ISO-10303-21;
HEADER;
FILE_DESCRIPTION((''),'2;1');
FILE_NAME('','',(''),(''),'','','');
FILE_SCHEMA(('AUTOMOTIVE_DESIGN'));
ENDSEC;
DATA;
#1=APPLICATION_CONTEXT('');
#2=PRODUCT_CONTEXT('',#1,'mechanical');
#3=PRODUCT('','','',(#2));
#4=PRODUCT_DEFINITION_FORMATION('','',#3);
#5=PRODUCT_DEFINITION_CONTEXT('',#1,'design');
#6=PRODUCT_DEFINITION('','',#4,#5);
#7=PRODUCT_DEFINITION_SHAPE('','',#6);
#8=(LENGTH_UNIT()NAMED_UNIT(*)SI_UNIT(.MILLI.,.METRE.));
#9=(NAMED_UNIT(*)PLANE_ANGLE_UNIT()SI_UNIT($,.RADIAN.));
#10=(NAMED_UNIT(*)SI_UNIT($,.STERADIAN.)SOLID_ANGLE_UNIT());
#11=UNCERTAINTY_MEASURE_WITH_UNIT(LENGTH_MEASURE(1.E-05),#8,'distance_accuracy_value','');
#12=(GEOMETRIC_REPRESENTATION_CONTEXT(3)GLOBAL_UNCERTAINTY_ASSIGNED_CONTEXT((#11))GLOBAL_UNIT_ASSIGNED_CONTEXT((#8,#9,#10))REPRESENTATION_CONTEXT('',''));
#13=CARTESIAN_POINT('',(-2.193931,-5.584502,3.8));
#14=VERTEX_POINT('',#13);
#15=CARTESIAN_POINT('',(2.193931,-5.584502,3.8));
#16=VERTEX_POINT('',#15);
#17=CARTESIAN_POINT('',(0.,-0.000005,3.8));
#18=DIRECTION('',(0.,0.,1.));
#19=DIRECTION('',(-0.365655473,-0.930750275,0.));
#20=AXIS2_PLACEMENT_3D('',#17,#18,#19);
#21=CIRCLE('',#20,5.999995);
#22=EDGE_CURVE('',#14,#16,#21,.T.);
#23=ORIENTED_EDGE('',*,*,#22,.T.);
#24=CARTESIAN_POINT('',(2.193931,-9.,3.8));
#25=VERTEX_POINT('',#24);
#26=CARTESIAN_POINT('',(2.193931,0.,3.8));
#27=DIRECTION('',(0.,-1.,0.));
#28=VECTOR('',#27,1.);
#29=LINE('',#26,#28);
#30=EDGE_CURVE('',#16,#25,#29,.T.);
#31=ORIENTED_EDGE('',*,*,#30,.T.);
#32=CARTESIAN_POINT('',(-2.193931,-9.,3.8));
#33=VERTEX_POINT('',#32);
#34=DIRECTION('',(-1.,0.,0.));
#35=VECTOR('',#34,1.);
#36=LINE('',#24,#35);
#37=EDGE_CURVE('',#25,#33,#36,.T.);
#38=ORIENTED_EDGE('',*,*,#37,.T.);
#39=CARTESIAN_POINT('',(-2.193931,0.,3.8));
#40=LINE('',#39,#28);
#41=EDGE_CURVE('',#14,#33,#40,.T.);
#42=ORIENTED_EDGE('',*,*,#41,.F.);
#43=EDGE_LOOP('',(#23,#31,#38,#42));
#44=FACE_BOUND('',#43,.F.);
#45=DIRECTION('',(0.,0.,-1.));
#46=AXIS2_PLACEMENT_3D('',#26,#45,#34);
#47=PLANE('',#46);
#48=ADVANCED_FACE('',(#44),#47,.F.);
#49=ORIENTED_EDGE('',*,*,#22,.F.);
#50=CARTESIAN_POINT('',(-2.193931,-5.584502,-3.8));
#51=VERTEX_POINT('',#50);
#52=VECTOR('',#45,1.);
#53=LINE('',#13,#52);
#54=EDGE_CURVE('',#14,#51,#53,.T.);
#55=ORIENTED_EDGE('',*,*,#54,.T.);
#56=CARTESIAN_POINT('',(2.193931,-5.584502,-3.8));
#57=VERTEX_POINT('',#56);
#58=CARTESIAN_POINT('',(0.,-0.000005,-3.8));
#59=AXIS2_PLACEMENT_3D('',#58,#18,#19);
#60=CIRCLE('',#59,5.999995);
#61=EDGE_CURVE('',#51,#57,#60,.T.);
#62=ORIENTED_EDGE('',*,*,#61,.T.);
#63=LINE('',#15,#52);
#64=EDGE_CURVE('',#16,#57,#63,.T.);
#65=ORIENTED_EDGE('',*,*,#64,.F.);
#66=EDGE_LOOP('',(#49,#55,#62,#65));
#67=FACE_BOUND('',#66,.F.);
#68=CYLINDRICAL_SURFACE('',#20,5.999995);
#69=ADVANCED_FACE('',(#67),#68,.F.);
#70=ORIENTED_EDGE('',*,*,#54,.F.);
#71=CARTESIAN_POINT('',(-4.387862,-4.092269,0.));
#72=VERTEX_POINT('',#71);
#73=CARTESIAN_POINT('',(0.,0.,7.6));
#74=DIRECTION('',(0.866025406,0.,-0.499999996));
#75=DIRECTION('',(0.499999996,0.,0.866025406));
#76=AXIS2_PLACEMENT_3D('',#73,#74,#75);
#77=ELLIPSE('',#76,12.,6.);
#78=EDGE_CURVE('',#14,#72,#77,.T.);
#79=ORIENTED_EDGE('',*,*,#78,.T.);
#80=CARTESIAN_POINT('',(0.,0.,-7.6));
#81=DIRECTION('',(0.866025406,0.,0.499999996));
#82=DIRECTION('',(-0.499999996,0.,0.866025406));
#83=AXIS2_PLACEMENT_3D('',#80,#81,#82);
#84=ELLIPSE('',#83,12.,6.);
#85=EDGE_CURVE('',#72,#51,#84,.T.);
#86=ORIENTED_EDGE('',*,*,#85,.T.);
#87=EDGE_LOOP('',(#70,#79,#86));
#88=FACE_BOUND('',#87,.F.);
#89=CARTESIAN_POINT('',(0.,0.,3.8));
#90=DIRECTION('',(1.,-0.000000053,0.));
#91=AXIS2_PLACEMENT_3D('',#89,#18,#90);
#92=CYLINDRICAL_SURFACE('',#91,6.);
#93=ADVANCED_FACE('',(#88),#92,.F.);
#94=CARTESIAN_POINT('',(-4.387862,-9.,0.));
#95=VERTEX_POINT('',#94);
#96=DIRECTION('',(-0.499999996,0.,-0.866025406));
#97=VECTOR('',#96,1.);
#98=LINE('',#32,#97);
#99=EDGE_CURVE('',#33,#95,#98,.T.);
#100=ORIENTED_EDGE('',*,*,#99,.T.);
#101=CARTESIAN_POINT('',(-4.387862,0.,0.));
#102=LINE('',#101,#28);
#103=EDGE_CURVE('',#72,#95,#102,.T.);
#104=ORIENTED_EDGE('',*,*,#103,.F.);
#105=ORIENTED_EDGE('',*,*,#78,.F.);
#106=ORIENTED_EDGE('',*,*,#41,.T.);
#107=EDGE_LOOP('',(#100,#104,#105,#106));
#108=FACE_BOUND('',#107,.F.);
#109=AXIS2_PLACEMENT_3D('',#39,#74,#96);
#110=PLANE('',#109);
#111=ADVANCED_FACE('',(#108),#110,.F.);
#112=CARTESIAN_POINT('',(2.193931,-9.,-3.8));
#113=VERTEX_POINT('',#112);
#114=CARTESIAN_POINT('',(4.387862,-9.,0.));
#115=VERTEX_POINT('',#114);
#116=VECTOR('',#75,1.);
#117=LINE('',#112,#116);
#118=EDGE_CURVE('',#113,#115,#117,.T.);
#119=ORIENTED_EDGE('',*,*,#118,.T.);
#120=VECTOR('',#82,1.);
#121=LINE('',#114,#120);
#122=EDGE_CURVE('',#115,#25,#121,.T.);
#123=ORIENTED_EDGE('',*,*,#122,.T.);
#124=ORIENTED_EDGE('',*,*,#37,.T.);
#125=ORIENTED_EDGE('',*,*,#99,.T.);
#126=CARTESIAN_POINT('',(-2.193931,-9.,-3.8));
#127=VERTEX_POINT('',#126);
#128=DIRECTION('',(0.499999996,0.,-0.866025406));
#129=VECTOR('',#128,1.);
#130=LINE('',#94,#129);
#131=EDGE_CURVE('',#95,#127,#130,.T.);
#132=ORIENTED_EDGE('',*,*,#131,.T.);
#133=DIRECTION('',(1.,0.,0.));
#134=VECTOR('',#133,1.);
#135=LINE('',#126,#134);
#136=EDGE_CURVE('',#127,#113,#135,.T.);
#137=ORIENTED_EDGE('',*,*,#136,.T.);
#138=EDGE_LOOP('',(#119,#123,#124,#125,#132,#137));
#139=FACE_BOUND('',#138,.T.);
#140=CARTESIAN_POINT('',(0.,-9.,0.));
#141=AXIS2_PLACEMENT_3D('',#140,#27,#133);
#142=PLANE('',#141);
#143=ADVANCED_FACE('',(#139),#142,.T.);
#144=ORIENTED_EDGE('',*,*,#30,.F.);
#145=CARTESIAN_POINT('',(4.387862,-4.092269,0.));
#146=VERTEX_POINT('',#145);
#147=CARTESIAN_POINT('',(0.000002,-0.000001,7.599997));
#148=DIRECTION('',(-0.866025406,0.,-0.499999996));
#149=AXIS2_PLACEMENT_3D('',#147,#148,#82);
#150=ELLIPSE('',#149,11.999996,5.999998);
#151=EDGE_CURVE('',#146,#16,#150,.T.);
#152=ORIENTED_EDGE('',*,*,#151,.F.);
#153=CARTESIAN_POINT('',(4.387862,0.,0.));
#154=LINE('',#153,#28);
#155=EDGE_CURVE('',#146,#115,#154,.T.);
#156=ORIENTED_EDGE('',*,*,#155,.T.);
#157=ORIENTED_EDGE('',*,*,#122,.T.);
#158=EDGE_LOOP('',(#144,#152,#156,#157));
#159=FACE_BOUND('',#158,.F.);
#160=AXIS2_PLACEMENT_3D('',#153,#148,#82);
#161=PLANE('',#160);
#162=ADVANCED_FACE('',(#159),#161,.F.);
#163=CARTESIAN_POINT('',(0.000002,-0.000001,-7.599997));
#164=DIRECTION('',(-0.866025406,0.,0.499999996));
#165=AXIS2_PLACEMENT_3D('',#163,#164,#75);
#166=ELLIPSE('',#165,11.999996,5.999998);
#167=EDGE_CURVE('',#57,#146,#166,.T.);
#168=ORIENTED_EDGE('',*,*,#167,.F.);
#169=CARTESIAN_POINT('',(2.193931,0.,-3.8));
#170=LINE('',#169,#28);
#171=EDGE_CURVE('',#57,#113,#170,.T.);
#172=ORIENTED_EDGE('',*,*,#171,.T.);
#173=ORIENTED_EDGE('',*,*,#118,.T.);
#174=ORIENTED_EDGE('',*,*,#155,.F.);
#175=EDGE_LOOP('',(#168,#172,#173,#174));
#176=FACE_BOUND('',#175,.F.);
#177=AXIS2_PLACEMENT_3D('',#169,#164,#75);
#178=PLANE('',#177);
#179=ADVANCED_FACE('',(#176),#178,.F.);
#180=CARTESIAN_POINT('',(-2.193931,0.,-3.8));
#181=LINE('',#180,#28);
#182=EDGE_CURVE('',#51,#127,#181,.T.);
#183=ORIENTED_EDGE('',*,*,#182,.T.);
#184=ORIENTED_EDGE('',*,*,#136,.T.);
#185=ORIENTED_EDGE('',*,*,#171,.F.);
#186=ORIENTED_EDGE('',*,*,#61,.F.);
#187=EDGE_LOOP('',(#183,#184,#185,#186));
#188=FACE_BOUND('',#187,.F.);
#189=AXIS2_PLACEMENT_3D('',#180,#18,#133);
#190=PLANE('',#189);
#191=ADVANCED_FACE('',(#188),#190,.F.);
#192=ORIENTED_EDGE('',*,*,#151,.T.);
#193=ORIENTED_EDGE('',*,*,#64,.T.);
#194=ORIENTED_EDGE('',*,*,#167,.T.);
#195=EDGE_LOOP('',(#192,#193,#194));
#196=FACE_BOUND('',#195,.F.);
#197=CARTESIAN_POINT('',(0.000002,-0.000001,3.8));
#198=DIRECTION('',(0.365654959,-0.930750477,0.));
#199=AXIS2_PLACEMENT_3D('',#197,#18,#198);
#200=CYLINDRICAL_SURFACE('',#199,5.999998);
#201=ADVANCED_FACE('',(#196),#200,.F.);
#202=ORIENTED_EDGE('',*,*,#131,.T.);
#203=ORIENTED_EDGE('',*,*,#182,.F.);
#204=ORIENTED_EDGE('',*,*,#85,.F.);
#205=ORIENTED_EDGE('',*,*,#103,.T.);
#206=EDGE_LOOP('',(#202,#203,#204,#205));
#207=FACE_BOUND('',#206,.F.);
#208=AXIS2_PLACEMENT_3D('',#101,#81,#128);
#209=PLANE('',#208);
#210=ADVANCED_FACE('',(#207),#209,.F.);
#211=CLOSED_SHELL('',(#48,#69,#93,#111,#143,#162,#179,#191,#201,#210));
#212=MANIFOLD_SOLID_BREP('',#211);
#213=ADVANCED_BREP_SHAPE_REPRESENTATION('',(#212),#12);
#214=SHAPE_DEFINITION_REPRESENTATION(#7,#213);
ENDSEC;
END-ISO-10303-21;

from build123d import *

# Parameters (mm, degrees)
F1_DEPTH = 9
F3_DEPTH = 25


with BuildPart() as f1:
    # F0 (on Front) → F1 (new body)
    with BuildSketch(Plane.XZ):
        Polygon((2.193931, 3.8), (-2.193931, 3.8), (-4.387862, 0), (-2.193931, -3.8), (2.193931, -3.8), (4.387862, 0), align=None)
    extrude(amount=F1_DEPTH)

    # F2 (on face) → F3 (cut)
    with BuildSketch(Plane.XY.offset(3.8)):
        with BuildLine():
            Line((-2.193931, 0), (-2.193931, -5.584502))
            ThreePointArc((-2.193931, -5.584502), (0, -6), (2.193931, -5.584502))
            Line((2.193931, -5.584502), (2.193931, 0))
            Line((2.193931, 0), (-2.193931, 0))
        make_face()
        with BuildLine():
            ThreePointArc((2.193931, -5.584502), (4.958003, -3.379084), (6, 0))
            ThreePointArc((6, 0), (-3.379084, 4.958003), (-2.193931, -5.584502))
            Line((-2.193931, -5.584502), (-2.193931, 0))
            Line((-2.193931, 0), (2.193931, 0))
            Line((2.193931, 0), (2.193931, -5.584502))
        make_face()
    extrude(amount=-F3_DEPTH, mode=Mode.SUBTRACT)


solid = f1.part
